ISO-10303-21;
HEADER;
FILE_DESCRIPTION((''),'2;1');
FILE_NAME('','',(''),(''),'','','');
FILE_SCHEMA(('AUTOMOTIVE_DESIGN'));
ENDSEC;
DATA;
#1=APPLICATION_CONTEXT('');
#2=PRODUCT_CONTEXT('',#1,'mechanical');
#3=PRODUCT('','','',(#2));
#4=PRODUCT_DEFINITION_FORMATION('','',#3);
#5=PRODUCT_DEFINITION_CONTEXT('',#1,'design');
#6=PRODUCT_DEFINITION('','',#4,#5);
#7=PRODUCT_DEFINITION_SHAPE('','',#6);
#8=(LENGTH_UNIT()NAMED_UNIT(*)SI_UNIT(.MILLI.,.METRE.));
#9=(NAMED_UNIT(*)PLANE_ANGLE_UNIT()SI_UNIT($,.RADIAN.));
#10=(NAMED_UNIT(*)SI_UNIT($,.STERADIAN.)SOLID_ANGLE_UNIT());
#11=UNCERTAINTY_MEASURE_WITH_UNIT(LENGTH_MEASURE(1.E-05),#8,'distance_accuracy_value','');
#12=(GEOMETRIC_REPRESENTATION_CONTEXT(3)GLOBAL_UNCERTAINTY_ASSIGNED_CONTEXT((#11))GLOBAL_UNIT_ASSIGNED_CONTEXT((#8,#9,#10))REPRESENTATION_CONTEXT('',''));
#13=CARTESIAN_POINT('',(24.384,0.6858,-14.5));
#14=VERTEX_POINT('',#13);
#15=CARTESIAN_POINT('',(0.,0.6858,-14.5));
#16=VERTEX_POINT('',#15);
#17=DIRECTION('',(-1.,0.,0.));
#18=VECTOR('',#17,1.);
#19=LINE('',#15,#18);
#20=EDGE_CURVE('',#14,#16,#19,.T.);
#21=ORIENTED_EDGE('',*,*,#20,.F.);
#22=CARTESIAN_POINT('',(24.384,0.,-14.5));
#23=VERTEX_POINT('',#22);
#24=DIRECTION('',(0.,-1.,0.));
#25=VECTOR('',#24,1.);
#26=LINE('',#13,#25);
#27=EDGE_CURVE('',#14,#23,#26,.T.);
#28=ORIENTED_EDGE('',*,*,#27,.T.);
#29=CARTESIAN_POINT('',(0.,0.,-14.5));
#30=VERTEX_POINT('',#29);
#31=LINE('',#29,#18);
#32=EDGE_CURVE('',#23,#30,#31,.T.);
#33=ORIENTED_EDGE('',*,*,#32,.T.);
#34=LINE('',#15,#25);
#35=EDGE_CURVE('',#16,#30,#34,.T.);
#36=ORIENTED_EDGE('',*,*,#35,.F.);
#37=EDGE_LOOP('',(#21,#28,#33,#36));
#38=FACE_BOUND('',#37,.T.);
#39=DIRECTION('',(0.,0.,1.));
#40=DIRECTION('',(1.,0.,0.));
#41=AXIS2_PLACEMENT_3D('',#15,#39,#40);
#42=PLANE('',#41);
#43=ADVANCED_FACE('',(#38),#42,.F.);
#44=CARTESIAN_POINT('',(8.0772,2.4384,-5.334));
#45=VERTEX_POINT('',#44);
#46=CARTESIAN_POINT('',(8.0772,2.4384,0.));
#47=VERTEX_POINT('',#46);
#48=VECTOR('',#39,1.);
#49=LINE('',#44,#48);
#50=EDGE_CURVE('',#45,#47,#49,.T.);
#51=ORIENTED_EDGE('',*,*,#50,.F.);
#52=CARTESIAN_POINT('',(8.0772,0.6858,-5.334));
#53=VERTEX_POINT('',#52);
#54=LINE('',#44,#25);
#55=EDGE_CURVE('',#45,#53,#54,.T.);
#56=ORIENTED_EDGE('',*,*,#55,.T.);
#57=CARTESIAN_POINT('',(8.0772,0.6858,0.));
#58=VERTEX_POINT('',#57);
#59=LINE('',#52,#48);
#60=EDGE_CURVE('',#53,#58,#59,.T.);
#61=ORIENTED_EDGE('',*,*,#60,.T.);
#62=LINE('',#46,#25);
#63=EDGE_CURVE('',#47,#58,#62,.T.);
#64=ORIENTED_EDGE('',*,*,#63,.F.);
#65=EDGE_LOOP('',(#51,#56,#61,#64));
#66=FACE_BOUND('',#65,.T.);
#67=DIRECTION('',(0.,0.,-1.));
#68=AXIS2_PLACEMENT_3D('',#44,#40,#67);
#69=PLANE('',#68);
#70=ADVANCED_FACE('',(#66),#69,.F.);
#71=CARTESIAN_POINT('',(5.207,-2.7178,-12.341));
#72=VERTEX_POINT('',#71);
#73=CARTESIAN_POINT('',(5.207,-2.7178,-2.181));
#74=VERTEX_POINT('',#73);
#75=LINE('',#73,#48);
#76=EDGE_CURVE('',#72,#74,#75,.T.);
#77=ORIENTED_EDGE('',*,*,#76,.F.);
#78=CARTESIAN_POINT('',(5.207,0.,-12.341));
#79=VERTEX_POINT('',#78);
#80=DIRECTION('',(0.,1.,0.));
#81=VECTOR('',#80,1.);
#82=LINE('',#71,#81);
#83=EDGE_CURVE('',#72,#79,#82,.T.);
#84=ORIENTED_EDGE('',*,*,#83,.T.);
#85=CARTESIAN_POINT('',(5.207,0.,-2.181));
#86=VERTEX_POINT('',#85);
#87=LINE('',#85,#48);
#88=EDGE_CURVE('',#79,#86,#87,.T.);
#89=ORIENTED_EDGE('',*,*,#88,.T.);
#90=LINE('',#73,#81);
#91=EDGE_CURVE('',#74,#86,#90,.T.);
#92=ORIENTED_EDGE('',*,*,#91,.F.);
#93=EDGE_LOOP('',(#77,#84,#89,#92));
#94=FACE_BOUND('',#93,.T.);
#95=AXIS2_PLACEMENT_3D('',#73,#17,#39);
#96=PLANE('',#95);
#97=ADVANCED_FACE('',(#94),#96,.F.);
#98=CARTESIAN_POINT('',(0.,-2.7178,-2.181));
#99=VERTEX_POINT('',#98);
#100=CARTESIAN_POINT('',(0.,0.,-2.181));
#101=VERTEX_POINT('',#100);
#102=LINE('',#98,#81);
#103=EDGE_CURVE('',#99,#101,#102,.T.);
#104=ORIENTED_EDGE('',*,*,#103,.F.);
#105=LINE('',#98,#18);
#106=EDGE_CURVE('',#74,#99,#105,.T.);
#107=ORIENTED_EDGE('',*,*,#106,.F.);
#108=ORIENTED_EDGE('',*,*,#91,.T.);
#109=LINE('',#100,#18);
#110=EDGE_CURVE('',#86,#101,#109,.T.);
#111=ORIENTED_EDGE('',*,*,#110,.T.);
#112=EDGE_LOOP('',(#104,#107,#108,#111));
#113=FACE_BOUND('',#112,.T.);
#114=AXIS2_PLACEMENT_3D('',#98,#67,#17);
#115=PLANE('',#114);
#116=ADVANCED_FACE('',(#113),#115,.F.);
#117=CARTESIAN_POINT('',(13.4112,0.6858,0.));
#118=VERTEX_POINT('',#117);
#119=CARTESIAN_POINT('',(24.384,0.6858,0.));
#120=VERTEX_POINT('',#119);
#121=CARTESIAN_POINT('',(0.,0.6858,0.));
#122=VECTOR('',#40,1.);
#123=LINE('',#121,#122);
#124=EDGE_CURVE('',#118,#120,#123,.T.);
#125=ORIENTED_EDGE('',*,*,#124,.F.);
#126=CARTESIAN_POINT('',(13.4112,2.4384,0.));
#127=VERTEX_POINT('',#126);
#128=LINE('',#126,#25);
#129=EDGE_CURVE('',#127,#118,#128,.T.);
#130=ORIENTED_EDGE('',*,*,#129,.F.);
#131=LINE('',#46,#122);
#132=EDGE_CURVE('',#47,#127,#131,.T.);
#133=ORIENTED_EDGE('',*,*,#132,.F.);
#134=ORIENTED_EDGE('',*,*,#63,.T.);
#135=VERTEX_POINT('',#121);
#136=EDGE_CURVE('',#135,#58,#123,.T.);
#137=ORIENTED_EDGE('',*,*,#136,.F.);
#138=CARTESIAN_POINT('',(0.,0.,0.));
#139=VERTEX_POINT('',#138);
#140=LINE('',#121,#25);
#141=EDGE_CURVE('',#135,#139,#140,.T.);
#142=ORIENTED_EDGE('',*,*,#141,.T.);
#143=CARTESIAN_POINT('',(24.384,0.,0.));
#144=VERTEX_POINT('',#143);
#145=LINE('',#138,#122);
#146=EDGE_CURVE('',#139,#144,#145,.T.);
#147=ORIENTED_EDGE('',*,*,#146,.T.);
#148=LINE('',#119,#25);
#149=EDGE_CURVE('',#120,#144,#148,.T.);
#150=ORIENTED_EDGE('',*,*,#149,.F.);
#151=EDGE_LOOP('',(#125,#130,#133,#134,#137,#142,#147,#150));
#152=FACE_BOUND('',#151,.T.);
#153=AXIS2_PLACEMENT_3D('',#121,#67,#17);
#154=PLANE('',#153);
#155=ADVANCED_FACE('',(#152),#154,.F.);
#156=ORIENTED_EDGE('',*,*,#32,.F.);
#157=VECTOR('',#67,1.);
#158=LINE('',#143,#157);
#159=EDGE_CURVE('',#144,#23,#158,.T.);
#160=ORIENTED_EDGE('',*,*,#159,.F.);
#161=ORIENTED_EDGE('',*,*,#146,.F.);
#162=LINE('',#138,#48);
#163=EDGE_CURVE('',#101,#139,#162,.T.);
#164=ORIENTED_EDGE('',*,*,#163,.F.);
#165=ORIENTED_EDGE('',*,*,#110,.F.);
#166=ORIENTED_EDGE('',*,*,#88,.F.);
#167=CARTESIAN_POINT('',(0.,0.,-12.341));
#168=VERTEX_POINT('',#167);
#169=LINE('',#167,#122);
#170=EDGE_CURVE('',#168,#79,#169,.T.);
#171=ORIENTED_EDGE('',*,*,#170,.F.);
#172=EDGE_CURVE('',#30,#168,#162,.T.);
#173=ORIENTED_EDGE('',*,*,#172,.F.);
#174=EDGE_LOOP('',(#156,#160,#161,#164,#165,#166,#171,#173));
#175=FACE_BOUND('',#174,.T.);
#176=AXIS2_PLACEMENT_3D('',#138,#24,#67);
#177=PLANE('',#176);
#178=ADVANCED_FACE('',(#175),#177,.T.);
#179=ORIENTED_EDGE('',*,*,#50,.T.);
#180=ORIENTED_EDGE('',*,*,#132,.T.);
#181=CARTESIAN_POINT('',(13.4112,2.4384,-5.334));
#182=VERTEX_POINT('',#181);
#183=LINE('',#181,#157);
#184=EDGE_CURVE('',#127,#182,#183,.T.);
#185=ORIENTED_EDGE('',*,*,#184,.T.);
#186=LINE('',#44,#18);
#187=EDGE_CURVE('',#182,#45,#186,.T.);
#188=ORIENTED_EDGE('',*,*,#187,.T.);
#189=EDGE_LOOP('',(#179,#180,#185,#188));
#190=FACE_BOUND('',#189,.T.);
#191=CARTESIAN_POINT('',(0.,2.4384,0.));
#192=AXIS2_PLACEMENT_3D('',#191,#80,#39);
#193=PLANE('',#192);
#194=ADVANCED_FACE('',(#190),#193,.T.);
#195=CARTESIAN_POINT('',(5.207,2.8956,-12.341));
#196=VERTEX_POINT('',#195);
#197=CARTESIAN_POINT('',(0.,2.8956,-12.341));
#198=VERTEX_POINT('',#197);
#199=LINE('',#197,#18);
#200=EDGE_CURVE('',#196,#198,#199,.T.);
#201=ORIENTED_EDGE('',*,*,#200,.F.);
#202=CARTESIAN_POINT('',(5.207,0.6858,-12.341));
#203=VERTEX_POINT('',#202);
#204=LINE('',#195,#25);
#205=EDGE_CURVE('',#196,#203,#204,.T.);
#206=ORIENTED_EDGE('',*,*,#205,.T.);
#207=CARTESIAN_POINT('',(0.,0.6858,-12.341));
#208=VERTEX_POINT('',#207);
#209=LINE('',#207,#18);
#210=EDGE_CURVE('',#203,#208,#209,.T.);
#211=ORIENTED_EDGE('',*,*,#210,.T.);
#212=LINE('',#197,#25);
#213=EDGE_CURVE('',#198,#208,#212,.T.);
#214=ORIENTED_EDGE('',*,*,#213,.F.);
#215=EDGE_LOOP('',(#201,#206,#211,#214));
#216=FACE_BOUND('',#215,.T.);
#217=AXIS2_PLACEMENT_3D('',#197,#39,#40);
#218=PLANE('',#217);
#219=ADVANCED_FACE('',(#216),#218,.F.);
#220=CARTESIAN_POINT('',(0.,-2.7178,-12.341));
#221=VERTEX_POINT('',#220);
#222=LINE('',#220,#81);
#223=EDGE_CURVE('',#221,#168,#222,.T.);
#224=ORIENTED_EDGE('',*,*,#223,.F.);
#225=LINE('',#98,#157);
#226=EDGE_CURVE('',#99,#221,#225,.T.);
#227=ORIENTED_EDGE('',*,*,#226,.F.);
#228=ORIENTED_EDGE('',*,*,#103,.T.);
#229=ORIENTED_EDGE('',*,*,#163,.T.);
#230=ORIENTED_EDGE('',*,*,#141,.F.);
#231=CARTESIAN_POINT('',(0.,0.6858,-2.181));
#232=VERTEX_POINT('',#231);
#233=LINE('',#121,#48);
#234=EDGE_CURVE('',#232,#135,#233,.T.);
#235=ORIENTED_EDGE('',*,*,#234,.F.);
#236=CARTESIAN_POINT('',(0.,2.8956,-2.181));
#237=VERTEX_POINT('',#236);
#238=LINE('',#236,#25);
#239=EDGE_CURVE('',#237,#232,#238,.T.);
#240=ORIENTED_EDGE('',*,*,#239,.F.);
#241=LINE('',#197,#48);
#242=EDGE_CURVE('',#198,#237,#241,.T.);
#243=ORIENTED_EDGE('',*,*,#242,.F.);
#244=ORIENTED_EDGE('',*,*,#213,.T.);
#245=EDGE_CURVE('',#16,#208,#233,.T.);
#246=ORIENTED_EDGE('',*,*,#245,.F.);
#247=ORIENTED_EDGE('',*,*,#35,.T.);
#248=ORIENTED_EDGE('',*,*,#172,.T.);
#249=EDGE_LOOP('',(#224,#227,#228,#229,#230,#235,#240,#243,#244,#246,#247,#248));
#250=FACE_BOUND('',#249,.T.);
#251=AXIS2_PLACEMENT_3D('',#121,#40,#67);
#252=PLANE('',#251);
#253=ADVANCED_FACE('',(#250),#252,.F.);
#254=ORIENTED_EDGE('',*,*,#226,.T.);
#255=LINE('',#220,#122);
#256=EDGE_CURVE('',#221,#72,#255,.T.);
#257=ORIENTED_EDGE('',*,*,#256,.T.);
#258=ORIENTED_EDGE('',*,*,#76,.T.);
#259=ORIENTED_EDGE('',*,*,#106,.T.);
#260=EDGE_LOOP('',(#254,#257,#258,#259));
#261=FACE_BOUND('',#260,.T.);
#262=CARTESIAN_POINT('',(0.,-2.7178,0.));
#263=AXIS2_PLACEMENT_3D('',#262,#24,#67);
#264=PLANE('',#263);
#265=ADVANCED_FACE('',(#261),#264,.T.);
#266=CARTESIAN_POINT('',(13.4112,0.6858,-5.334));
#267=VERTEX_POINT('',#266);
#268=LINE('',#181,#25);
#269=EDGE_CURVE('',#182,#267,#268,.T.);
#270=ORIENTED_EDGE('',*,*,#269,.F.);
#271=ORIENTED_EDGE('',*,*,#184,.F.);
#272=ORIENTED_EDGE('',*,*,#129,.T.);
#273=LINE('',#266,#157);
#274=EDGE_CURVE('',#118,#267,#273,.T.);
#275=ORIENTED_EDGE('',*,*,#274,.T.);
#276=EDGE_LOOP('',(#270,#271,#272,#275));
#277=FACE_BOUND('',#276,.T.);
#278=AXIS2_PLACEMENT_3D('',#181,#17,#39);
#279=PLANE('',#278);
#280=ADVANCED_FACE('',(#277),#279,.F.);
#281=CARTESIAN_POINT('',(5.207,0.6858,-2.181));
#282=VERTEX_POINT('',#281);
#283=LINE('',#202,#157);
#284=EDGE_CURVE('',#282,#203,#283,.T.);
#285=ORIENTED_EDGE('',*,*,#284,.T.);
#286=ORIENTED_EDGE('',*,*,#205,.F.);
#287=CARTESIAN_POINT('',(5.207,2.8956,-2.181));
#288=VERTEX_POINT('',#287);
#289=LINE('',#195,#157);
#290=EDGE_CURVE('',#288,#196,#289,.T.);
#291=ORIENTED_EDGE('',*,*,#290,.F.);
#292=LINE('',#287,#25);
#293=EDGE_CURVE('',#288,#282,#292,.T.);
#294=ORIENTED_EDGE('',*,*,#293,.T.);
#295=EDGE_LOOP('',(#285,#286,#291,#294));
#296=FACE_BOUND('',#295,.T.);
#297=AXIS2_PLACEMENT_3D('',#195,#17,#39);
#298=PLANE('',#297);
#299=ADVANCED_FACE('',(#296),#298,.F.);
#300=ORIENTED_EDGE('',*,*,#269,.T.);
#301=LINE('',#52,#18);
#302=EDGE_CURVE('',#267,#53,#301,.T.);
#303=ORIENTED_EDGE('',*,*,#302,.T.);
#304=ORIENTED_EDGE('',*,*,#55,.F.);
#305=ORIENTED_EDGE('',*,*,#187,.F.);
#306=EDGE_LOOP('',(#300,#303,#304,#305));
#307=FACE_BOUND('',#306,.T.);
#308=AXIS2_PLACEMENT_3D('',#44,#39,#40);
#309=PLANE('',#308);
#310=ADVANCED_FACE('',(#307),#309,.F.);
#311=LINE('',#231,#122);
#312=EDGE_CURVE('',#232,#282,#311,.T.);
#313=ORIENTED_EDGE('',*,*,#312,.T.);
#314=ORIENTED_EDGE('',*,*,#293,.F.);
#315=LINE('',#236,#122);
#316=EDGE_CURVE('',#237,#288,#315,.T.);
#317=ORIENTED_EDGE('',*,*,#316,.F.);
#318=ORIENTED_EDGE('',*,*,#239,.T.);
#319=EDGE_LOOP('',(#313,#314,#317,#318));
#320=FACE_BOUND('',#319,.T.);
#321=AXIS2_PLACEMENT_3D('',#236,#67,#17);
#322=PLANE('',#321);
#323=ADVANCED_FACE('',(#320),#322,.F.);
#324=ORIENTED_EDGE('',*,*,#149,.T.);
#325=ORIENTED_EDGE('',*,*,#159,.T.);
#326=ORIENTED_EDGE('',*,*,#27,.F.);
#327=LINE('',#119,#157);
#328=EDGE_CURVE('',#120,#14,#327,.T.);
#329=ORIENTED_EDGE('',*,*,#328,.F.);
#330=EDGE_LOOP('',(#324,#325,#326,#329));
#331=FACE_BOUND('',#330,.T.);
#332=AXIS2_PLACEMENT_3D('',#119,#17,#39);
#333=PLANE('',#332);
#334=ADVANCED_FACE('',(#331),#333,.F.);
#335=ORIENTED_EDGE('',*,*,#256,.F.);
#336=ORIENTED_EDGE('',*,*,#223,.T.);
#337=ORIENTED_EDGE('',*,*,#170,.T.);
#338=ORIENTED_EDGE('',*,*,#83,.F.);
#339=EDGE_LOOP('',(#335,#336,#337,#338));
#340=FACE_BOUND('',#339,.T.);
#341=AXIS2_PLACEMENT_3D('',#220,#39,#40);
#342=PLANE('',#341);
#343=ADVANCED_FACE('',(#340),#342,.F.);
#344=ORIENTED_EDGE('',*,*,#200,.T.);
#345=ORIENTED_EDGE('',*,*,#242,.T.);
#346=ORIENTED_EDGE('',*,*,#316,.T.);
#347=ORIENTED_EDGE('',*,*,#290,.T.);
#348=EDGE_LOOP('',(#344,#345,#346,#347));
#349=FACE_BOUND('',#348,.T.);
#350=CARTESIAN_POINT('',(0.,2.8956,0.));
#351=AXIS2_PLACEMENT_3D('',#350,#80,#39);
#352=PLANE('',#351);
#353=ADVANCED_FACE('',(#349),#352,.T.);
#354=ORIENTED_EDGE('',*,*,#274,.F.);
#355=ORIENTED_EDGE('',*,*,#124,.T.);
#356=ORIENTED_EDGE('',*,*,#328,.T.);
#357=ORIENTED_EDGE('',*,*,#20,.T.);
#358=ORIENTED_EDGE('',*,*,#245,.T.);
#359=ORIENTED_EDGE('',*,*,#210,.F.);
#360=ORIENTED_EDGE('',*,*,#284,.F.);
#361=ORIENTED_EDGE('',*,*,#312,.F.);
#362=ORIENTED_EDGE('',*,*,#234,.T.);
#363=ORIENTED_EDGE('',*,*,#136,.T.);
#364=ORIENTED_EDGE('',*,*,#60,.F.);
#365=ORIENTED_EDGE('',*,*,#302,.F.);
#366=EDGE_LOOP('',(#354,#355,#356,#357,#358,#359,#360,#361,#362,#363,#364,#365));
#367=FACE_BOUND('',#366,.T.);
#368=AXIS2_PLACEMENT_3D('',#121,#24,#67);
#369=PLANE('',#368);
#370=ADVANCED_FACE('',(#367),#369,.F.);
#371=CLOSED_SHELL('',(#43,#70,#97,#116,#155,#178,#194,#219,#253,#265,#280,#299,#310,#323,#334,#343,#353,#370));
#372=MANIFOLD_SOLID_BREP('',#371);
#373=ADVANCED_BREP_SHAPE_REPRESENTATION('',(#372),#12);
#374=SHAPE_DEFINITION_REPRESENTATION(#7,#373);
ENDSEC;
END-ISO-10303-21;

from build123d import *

# Parameters (mm, degrees)
SKETCH1_W           = 24.384
SKETCH1_H           = 14.5
BOSS_EXTRUDE1_DEPTH = 0.6858
SKETCH2_W           = 5.207
SKETCH2_H           = 10.16
BOSS_EXTRUDE2_DEPTH = 2.2098
SKETCH3_W           = 5.207
SKETCH3_H           = 10.16
BOSS_EXTRUDE3_DEPTH = 2.7178
SKETCH4_W           = 5.334
SKETCH4_H           = 5.334
BOSS_EXTRUDE4_DEPTH = 1.7526


with BuildPart() as part:
    # Sketch1 → Boss-Extrude1 (new body)
    with BuildSketch(Plane(origin=(0, 0, 0), x_dir=(1, 0, 0), z_dir=(0, 1, 0))):
        with Locations((12.192, 7.25)):
            Rectangle(SKETCH1_W, SKETCH1_H)
    extrude(amount=BOSS_EXTRUDE1_DEPTH)

    # Sketch2 → Boss-Extrude2 (add)
    with BuildSketch(Plane(origin=(0, 0.6858, 0), x_dir=(1, 0, 0), z_dir=(0, 1, 0))):
        with Locations((2.6035, 7.261)):
            Rectangle(SKETCH2_W, SKETCH2_H)
    extrude(amount=BOSS_EXTRUDE2_DEPTH)

    # Sketch3 → Boss-Extrude3 (add)
    with BuildSketch(Plane.XZ):
        with Locations((2.6035, -7.261)):
            Rectangle(SKETCH3_W, SKETCH3_H)
    extrude(amount=BOSS_EXTRUDE3_DEPTH)

    # Sketch4 → Boss-Extrude4 (add)
    with BuildSketch(Plane(origin=(0, 0.6858, 0), x_dir=(1, 0, 0), z_dir=(0, 1, 0))):
        with Locations((10.7442, 2.667)):
            Rectangle(SKETCH4_W, SKETCH4_H)
    extrude(amount=BOSS_EXTRUDE4_DEPTH)


solid = part.part
